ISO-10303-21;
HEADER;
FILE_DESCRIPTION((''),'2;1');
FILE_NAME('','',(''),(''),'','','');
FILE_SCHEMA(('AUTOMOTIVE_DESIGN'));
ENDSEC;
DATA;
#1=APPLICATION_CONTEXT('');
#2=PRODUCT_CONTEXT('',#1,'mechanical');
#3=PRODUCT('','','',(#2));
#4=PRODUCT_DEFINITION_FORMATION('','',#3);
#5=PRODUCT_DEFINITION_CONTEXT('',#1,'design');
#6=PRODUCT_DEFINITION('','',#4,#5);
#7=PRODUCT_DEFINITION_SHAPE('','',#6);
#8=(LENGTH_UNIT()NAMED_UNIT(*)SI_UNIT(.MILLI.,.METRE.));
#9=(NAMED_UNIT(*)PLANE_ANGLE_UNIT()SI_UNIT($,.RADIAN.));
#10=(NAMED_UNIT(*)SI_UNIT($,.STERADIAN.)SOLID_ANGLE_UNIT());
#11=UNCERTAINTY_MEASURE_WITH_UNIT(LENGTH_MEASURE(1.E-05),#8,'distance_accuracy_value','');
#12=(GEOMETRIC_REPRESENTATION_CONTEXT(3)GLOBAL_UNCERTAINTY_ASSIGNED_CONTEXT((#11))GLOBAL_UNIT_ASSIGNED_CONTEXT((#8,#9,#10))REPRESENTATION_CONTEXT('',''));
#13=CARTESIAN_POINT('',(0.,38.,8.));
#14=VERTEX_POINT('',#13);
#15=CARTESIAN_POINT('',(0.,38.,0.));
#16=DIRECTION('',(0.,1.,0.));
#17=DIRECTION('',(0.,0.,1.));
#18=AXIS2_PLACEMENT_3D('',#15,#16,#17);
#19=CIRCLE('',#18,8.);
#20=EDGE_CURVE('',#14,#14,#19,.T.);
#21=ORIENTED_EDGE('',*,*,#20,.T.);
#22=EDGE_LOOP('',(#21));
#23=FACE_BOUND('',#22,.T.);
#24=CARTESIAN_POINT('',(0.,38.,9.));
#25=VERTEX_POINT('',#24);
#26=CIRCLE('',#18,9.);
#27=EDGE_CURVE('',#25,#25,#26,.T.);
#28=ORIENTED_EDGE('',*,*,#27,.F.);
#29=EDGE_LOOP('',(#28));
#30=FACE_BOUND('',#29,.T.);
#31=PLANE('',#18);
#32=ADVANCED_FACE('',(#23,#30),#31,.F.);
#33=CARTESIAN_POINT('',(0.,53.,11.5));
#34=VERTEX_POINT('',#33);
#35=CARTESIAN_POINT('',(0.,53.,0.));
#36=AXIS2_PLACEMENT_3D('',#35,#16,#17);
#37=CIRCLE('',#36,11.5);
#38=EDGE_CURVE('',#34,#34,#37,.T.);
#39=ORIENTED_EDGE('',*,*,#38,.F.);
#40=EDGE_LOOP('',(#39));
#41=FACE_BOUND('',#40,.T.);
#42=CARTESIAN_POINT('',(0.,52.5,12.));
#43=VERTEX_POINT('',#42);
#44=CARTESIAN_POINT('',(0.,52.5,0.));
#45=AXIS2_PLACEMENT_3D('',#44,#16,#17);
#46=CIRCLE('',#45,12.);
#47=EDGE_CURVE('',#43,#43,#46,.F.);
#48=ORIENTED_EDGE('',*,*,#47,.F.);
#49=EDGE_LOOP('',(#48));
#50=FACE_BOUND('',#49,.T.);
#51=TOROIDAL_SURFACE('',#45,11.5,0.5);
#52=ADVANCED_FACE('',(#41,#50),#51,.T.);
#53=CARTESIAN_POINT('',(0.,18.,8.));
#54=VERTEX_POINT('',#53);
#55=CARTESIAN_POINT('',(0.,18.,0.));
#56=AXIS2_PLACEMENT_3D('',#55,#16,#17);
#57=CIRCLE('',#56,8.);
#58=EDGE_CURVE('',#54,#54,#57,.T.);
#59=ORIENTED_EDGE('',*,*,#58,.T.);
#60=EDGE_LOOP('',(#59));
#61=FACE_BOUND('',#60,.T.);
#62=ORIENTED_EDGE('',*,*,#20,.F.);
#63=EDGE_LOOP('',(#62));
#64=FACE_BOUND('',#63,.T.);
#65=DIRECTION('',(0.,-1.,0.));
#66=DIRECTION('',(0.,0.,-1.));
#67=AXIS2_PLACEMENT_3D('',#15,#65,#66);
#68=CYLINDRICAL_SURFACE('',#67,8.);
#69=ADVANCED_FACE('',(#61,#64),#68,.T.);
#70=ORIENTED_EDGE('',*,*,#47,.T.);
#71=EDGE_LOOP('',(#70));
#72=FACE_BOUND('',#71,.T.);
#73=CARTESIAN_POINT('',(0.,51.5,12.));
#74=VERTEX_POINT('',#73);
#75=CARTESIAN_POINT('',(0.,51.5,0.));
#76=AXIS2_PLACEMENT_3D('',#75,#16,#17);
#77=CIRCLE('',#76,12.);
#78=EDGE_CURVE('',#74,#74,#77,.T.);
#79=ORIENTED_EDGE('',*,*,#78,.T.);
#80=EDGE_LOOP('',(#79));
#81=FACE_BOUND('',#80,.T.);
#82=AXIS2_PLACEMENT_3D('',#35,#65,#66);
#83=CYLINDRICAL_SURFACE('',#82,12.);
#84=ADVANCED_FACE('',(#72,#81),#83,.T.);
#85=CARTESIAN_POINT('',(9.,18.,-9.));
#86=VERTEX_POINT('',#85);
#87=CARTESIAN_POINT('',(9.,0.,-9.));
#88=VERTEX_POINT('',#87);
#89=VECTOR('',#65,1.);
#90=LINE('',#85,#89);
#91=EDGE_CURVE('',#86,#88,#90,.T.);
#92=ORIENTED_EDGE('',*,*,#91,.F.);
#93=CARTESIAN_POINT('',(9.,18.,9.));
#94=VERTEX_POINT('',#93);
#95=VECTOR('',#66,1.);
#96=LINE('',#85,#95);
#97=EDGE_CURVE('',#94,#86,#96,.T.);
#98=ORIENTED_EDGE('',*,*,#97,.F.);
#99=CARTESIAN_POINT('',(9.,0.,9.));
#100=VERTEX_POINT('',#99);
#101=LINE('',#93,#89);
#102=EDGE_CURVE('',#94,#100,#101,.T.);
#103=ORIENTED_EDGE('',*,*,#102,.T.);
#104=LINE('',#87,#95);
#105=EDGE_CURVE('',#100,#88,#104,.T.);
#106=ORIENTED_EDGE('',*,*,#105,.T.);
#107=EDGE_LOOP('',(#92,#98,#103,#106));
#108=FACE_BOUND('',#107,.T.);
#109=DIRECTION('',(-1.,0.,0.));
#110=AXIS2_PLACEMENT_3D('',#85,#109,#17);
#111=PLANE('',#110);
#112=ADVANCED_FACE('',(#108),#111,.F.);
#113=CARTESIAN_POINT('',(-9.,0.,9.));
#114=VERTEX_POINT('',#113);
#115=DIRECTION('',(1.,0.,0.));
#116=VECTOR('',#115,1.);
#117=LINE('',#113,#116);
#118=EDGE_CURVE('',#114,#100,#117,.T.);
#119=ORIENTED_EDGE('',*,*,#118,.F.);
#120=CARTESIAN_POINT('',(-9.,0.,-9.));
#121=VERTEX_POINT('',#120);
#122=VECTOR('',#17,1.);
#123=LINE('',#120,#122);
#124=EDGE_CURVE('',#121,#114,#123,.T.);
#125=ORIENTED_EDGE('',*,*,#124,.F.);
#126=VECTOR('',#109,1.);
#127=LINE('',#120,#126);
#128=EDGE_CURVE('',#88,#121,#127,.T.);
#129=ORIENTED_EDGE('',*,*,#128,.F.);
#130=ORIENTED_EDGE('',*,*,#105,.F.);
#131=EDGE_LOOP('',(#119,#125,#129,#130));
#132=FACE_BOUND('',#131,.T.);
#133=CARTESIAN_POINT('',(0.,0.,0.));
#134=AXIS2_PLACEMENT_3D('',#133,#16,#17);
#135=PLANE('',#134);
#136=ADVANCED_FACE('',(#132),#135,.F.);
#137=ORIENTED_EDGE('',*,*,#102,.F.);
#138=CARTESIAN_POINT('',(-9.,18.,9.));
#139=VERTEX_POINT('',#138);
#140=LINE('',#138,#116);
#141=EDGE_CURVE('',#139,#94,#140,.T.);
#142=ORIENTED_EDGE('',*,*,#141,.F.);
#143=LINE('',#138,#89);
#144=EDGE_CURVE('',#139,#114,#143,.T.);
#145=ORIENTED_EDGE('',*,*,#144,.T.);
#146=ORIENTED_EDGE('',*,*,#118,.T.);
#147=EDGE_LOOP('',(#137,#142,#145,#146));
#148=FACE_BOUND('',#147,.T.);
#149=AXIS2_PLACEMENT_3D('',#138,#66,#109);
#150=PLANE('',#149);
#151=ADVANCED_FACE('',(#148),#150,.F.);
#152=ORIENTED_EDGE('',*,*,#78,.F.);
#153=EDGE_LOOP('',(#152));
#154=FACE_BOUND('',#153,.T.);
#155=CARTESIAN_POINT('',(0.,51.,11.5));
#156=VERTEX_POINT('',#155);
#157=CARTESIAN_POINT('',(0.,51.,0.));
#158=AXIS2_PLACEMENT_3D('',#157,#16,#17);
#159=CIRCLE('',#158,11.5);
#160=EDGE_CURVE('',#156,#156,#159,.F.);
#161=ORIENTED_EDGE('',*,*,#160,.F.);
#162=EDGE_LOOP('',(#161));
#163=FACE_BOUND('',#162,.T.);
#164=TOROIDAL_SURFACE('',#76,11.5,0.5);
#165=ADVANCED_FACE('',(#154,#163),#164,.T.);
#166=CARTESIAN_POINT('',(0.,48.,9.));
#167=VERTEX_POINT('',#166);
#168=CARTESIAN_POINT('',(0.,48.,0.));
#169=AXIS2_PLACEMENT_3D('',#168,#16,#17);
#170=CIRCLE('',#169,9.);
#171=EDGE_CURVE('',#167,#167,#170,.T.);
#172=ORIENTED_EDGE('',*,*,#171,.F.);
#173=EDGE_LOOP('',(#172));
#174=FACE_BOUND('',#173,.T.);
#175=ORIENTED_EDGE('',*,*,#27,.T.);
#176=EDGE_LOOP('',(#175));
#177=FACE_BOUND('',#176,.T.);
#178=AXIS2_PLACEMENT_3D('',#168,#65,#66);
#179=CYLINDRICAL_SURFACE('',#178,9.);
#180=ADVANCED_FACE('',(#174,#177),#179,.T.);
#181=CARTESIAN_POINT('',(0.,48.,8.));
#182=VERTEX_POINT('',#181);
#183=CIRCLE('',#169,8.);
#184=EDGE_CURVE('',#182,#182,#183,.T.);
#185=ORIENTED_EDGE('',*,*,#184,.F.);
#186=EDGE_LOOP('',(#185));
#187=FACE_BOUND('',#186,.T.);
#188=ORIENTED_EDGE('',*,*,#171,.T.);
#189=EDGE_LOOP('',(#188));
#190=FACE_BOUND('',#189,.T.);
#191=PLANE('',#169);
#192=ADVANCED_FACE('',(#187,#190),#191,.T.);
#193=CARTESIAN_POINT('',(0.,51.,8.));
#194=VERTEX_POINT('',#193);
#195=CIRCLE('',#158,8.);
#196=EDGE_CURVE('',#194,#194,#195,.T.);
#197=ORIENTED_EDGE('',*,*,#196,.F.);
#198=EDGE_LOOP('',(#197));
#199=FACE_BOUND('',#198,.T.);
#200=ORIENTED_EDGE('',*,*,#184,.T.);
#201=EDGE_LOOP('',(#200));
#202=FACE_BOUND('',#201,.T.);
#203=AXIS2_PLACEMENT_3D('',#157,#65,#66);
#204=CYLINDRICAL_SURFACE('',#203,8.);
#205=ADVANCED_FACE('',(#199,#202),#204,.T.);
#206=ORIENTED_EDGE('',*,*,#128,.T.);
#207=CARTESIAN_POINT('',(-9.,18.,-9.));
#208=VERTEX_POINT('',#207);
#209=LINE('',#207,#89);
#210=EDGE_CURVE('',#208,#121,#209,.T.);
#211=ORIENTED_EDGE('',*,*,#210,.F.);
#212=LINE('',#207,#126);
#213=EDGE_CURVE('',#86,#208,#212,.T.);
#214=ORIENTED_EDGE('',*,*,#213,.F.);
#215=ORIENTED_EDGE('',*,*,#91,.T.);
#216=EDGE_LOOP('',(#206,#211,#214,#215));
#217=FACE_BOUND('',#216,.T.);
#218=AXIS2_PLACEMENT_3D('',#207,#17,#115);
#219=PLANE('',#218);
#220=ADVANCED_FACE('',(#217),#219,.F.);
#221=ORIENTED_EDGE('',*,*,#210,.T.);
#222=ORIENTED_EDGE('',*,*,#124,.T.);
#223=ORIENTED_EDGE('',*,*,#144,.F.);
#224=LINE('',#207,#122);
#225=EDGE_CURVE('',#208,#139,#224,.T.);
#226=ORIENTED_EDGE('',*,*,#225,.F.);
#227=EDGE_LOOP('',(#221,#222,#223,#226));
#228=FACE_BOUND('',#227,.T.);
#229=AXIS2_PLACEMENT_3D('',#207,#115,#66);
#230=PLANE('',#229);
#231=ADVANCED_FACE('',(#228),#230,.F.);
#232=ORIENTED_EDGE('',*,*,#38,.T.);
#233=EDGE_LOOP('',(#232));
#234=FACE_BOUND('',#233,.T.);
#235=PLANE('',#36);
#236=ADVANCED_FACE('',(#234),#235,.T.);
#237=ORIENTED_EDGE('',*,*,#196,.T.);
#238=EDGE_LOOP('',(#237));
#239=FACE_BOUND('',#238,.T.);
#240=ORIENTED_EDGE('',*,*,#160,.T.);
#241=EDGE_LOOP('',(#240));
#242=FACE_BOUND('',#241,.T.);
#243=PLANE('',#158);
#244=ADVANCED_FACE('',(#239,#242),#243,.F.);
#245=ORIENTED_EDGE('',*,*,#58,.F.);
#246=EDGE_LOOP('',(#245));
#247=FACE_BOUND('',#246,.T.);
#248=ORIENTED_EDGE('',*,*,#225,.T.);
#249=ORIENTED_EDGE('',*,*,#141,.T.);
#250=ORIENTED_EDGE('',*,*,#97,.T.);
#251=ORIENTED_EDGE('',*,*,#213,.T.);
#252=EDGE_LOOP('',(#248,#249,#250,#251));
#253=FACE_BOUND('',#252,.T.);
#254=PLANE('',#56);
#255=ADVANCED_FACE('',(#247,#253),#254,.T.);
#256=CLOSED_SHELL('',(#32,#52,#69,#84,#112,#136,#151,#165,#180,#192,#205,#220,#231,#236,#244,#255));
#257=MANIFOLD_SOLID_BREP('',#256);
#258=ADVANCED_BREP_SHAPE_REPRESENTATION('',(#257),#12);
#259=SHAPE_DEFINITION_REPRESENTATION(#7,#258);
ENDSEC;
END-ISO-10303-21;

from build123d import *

# Parameters (mm, degrees)
ESQUISSE1_W        = 18
ESQUISSE1_H        = 18
BOSS_EXTRU_1_DEPTH = 18
ESQUISSE2_R        = 8
BOSS_EXTRU_2_DEPTH = 20
ESQUISSE3_R        = 9
BOSS_EXTRU_3_DEPTH = 10
ESQUISSE4_R        = 8
BOSS_EXTRU_4_DEPTH = 3
ESQUISSE5_R        = 12
BOSS_EXTRU_5_DEPTH = 2
CONG_1_R           = 0.5
CONG_2_R           = 0.5


with BuildPart() as part:
    # Esquisse1 → Boss.-Extru.1 (new body)
    with BuildSketch(Plane(origin=(0, 0, 0), x_dir=(1, 0, 0), z_dir=(0, 1, 0))):
        Rectangle(ESQUISSE1_W, ESQUISSE1_H)
    extrude(amount=BOSS_EXTRU_1_DEPTH)

    # Esquisse2 → Boss.-Extru.2 (add)
    with BuildSketch(Plane(origin=(0, 18, 0), x_dir=(1, 0, 0), z_dir=(0, 1, 0))):
        Circle(ESQUISSE2_R)
    extrude(amount=BOSS_EXTRU_2_DEPTH)

    # Esquisse3 → Boss.-Extru.3 (add)
    with BuildSketch(Plane(origin=(0, 38, 0), x_dir=(1, 0, 0), z_dir=(0, 1, 0))):
        Circle(ESQUISSE3_R)
    extrude(amount=BOSS_EXTRU_3_DEPTH)

    # Esquisse4 → Boss.-Extru.4 (add)
    with BuildSketch(Plane(origin=(0, 48, 0), x_dir=(1, 0, 0), z_dir=(0, 1, 0))):
        Circle(ESQUISSE4_R)
    extrude(amount=BOSS_EXTRU_4_DEPTH)

    # Esquisse5 → Boss.-Extru.5 (add)
    with BuildSketch(Plane(origin=(0, 51, 0), x_dir=(1, 0, 0), z_dir=(0, 1, 0))):
        Circle(ESQUISSE5_R)
    extrude(amount=BOSS_EXTRU_5_DEPTH)

    # Congé1
    cong_1_edges = [part.edges().sort_by_distance(p)[0] for p in [
        (-12, 53, 0),
    ]]
    fillet(cong_1_edges, radius=CONG_1_R)

    # Congé2
    cong_2_edges = [part.edges().sort_by_distance(p)[0] for p in [
        (-12, 51, 0),
    ]]
    fillet(cong_2_edges, radius=CONG_2_R)


solid = part.part
